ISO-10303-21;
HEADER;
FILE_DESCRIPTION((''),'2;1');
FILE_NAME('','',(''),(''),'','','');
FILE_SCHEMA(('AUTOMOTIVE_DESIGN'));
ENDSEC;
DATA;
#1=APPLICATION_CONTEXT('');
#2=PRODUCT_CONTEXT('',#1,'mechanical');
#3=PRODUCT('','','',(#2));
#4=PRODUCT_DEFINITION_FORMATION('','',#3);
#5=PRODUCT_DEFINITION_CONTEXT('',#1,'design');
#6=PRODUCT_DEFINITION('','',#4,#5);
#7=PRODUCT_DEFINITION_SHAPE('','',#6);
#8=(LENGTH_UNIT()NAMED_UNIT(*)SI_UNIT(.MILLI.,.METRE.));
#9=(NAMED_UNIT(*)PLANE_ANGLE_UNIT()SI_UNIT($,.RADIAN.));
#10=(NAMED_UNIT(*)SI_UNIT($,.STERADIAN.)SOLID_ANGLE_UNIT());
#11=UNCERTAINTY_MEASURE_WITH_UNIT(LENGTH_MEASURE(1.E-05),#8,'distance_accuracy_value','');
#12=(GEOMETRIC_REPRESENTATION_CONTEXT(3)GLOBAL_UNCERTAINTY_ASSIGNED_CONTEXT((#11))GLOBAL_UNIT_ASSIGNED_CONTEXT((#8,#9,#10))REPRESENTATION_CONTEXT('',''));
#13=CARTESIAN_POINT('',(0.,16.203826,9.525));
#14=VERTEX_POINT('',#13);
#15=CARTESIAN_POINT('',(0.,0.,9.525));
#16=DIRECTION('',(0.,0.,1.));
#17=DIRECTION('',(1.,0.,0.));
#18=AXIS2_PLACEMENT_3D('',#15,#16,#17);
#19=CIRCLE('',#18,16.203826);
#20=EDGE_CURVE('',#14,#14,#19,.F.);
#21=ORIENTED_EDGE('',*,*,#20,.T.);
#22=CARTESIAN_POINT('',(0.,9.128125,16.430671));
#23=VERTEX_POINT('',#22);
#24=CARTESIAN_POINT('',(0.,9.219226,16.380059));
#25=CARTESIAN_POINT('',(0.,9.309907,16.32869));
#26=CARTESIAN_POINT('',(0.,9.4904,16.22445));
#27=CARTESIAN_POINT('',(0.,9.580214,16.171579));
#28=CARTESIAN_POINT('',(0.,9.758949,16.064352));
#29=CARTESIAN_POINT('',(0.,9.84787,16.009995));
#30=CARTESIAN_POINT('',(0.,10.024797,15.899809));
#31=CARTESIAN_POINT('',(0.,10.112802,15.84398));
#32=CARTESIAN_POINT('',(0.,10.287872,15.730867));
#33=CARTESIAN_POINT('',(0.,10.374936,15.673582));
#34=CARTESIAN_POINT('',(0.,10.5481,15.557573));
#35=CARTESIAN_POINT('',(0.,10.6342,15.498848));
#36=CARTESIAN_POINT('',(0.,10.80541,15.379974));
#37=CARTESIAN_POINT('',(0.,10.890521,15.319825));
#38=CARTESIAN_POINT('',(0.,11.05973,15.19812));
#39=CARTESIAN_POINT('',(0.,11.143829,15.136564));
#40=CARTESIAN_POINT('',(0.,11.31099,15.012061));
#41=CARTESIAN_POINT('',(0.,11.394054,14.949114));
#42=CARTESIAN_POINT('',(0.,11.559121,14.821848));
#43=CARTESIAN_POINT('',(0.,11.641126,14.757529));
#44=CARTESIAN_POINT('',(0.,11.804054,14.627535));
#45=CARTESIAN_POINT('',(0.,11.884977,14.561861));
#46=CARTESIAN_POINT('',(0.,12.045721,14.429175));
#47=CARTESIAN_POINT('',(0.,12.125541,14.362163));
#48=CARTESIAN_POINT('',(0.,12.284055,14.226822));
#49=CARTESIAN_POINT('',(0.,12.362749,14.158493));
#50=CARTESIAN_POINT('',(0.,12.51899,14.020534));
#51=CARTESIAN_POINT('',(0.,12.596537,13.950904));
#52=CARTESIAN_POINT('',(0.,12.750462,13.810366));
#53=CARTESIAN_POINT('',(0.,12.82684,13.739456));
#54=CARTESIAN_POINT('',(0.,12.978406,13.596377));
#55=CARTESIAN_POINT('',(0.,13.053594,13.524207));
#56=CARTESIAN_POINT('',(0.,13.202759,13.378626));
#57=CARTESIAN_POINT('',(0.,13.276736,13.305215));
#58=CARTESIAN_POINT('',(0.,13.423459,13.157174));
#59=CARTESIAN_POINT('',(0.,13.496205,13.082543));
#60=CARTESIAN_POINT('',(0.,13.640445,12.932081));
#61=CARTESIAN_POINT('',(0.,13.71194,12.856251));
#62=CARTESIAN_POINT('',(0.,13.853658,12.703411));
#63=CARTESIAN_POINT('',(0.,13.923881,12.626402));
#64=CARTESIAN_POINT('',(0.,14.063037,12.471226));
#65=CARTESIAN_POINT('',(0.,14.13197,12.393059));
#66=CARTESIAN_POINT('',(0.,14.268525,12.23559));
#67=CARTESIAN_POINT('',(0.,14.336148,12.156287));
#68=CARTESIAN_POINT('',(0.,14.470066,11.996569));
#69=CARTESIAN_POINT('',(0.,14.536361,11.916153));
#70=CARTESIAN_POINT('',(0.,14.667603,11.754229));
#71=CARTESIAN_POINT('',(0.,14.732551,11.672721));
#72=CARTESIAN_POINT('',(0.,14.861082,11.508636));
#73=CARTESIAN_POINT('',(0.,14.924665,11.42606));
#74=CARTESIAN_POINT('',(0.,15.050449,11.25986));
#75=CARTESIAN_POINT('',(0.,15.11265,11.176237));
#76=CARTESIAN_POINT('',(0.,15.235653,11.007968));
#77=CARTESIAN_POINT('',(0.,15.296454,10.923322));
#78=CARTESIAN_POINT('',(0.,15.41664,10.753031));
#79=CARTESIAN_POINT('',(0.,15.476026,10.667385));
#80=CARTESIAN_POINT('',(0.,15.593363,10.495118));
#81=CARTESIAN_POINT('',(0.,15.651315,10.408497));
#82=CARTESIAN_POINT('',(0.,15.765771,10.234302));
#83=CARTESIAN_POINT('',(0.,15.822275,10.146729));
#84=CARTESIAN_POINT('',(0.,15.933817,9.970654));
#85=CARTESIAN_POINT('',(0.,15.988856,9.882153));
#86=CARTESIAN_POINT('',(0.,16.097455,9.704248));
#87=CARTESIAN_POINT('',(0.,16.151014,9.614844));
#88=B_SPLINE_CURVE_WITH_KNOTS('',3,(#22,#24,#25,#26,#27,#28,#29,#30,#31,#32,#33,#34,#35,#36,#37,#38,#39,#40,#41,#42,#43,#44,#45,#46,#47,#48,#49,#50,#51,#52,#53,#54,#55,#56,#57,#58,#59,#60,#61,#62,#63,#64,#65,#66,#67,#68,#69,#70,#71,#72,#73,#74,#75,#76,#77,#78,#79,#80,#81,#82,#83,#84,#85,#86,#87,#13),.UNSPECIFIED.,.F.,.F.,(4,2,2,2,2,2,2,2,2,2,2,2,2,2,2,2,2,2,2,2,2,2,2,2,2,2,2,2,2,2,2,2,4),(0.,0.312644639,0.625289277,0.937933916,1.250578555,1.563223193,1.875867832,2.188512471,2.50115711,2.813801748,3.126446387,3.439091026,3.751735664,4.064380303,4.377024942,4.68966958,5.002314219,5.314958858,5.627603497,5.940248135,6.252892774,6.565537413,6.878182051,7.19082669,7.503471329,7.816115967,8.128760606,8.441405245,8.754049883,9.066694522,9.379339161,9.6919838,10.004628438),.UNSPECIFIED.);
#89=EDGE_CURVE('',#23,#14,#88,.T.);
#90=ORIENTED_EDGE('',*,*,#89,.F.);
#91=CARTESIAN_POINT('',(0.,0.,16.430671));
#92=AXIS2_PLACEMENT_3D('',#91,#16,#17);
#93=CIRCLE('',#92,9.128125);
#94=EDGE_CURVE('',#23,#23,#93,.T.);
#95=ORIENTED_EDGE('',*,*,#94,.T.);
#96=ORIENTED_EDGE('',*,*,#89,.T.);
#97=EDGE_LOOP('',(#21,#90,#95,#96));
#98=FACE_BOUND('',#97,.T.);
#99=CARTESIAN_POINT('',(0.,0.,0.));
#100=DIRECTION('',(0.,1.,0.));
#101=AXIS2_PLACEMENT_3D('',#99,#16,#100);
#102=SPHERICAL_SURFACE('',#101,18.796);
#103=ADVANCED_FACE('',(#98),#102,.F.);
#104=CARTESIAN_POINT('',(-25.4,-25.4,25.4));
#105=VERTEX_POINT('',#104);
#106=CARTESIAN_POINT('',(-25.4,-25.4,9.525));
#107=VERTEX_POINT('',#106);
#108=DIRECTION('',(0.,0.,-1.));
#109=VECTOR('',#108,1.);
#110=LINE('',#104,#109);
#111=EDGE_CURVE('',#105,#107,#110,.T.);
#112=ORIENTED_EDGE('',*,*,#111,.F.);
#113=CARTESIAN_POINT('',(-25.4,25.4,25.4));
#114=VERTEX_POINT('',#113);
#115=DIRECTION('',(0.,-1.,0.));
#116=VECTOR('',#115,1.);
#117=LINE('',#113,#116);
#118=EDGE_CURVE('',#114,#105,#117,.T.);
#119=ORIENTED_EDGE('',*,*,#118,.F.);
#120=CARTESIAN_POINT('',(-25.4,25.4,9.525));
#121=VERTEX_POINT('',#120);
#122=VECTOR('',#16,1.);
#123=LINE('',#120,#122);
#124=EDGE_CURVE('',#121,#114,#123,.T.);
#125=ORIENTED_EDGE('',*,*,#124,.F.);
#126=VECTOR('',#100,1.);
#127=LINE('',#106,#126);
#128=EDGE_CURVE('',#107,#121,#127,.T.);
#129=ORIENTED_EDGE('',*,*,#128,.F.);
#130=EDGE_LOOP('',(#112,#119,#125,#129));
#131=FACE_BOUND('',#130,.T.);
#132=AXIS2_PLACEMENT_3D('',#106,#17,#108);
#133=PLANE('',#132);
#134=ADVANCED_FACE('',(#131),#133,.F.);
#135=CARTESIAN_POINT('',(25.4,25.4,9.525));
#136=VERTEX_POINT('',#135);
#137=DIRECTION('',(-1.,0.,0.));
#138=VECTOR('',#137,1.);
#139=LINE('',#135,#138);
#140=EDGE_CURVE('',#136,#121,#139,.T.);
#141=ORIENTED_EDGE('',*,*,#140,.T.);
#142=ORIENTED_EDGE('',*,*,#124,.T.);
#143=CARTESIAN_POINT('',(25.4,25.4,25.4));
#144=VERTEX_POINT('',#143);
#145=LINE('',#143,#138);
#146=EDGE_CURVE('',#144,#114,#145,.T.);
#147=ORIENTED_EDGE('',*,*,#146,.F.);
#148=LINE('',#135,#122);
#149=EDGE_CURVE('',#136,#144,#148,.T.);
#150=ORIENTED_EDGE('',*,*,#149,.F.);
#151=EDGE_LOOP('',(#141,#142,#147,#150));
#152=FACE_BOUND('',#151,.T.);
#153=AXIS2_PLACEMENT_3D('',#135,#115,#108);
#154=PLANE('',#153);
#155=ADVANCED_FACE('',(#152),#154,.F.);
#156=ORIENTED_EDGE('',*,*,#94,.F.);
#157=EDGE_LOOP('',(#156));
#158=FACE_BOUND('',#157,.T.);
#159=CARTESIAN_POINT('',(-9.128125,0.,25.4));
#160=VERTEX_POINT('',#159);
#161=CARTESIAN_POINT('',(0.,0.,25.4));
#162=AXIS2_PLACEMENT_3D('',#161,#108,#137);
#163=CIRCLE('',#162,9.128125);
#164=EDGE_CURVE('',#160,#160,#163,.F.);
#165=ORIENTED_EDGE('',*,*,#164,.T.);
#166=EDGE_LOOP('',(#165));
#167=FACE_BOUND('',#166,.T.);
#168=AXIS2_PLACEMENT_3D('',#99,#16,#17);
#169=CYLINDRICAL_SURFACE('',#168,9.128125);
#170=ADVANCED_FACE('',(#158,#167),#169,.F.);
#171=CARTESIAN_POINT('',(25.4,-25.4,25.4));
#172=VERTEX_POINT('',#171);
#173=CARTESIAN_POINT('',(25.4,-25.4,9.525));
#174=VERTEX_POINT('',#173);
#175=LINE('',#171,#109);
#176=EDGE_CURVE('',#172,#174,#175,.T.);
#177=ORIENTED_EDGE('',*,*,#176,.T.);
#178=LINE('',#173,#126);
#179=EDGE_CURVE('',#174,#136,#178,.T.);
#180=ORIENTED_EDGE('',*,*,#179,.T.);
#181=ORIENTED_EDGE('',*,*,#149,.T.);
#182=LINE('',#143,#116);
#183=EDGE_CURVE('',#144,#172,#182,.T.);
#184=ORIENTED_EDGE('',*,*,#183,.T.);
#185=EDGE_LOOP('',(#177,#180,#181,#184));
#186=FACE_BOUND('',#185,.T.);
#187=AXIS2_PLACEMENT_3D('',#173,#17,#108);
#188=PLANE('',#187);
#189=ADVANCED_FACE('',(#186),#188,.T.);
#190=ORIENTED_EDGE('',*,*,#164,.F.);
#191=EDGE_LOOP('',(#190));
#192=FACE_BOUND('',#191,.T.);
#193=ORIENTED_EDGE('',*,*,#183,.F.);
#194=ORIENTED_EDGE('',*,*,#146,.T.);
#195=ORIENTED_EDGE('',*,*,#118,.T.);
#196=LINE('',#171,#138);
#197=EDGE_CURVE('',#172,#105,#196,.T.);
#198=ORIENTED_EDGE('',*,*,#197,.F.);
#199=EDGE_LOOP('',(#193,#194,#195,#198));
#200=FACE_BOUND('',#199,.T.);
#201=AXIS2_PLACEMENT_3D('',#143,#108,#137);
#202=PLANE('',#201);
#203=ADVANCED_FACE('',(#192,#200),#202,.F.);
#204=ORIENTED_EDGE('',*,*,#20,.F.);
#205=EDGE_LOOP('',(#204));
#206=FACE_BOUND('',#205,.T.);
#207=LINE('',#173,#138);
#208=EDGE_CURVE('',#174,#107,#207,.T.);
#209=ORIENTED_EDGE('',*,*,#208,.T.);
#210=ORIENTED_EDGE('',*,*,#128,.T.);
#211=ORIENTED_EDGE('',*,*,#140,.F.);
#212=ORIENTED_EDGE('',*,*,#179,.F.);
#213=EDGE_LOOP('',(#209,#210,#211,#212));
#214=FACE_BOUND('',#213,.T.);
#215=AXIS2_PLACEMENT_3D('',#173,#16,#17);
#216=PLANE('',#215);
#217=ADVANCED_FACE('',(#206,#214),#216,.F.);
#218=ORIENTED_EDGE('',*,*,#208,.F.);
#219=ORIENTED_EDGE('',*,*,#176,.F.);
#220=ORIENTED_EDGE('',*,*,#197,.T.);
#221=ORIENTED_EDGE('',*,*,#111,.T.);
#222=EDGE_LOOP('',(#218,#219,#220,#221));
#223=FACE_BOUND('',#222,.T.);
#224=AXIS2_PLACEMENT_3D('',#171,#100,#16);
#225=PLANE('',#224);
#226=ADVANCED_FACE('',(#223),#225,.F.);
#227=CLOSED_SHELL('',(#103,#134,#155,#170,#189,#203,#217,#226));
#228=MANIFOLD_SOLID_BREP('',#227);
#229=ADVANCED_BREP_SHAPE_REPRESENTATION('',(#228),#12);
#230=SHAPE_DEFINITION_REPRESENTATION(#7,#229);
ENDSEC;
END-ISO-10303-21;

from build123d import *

# Parameters (mm, degrees)
SKETCH3_W      = 15.875
SKETCH3_H      = 50.8
EXTRUDE2_DEPTH = 25.4


with BuildPart() as part:
    # Sketch3 → Extrude2 (new, symmetric)
    with BuildSketch(Plane(origin=(0, 0, 0), x_dir=(0, 0, -1), z_dir=(1, 0, 0))):
        with Locations((-17.4625, 0)):
            Rectangle(SKETCH3_W, SKETCH3_H)
    extrude(amount=EXTRUDE2_DEPTH, both=True)

    # Sketch4 → Cut-Revolve2 (revolve, cut)
    with BuildSketch(Plane(origin=(0, 0, 0), x_dir=(0, 0, -1), z_dir=(1, 0, 0))):
        with BuildLine():
            Line((-34.061608779, 0), (0, 0))
            Line((0, 0), (0, 18.796))
            ThreePointArc((0, 18.796), (-9.531982441, 16.199719959), (-16.430671014, 9.128125))
            Line((-16.430671014, 9.128125), (-34.061608779, 9.128125))
            Line((-34.061608779, 9.128125), (-34.061608779, 0))
        make_face()
    revolve(axis=Axis((0, 0, 0), (0, 0, -1)), mode=Mode.SUBTRACT)


solid = part.part
